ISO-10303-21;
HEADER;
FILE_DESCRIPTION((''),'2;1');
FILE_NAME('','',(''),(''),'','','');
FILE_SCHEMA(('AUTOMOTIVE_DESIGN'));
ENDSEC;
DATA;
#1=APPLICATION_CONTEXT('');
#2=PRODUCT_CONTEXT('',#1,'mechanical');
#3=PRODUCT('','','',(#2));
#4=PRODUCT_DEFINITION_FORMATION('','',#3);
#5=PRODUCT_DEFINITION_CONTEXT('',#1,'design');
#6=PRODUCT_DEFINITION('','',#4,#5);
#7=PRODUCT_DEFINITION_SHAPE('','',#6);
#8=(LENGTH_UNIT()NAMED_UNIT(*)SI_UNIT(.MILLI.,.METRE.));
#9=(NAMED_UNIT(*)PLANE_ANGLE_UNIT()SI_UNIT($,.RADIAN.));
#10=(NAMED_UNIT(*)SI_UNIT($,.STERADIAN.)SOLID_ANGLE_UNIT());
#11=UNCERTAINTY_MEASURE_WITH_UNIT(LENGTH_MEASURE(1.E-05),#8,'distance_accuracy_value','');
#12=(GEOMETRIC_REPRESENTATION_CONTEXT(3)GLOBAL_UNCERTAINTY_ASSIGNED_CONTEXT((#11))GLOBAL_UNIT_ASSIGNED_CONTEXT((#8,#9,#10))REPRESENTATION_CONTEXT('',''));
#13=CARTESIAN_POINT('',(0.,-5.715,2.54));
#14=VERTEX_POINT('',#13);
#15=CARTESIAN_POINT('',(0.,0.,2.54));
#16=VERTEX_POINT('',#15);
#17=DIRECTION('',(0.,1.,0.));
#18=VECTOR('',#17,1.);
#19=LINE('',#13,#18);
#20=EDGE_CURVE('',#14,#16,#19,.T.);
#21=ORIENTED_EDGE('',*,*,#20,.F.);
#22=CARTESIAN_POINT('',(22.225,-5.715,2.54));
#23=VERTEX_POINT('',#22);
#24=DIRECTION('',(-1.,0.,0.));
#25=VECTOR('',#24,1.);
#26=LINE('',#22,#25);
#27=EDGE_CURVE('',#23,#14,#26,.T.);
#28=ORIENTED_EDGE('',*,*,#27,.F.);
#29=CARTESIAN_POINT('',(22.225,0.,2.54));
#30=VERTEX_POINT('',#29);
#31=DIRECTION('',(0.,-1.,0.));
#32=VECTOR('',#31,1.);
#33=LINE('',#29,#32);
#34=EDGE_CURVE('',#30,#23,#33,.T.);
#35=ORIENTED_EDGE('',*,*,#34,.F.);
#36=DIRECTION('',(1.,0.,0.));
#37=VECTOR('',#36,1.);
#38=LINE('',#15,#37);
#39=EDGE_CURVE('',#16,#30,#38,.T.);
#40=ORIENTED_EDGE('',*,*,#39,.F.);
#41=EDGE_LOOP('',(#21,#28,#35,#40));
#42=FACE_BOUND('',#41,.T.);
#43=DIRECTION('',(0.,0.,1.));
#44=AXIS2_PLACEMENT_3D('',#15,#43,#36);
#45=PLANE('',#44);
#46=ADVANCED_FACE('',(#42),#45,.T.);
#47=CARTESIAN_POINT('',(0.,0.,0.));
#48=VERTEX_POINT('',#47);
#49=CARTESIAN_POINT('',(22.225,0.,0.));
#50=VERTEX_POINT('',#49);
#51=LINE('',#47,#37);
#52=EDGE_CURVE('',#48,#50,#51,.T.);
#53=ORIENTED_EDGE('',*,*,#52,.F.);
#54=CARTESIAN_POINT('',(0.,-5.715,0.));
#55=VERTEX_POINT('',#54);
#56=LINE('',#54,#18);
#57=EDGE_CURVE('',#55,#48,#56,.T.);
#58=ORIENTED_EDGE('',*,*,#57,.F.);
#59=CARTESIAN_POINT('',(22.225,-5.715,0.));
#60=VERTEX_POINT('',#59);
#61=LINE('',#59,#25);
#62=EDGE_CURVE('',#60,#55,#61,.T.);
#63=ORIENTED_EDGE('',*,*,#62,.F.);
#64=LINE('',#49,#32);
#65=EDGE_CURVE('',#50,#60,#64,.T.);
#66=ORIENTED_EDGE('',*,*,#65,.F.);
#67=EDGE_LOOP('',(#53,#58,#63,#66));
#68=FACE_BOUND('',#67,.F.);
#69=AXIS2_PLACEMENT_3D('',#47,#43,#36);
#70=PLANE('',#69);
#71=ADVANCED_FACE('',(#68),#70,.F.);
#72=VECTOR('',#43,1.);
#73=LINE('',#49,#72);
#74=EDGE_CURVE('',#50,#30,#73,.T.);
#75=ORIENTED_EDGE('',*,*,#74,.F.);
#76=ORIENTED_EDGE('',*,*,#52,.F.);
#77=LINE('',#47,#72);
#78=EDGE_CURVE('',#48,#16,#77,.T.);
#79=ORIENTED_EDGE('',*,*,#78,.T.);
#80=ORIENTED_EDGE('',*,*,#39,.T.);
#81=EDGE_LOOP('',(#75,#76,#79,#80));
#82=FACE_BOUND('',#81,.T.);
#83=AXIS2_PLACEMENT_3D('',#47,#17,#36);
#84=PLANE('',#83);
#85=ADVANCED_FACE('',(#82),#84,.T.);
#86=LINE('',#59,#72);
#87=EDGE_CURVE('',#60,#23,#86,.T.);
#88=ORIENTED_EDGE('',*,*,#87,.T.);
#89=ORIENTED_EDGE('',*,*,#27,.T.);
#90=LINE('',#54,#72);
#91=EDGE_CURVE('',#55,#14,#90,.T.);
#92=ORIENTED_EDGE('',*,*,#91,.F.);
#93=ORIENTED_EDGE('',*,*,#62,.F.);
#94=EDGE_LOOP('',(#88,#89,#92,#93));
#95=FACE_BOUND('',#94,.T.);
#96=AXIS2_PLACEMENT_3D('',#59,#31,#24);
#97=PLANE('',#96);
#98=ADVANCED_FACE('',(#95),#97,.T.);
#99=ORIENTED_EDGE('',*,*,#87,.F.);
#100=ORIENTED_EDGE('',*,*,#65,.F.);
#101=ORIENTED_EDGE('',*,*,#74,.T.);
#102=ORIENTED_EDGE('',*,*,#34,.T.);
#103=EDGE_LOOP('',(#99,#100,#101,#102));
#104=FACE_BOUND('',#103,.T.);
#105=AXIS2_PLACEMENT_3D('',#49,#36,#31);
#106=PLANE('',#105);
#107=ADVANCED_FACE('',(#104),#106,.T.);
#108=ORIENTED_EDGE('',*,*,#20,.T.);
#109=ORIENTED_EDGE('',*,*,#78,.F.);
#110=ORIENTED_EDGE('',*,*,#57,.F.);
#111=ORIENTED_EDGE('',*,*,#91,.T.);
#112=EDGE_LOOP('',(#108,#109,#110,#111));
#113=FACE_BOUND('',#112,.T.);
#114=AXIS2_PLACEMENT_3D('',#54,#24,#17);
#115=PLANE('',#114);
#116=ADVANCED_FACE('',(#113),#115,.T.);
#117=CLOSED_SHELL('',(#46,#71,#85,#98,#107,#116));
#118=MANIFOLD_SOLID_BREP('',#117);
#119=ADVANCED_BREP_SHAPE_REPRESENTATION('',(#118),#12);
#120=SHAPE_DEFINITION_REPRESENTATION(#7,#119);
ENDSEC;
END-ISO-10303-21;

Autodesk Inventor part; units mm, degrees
ref_plane "YZ Plane" through (0, 0, 0) normal (1, 0, 0) x (0, 1, 0)
ref_plane "XZ Plane" through (0, 0, 0) normal (0, 1, 0) x (-1, 0, 0)
ref_plane "XY Plane" through (0, 0, 0) normal (0, 0, 1) x (1, 0, 0)
sketch "Sketch1" plane through (0, 0, 0) normal (0, 0, 1) x (1, 0, 0)
  line L0 (0, 0) -> (22.225, 0)
  line L1 (22.225, 0) -> (22.225, -5.715)
  line L2 (22.225, -5.715) -> (0, -5.715)
  line L3 (0, -5.715) -> (0, 0)
  dimension "d0" = 22.225
  dimension "d1" = 5.715
extrude "Extrusion1" add sketch "Sketch1" along normal blind 2.54
properties part number "CameraPlug" material "ABS Plastic"
